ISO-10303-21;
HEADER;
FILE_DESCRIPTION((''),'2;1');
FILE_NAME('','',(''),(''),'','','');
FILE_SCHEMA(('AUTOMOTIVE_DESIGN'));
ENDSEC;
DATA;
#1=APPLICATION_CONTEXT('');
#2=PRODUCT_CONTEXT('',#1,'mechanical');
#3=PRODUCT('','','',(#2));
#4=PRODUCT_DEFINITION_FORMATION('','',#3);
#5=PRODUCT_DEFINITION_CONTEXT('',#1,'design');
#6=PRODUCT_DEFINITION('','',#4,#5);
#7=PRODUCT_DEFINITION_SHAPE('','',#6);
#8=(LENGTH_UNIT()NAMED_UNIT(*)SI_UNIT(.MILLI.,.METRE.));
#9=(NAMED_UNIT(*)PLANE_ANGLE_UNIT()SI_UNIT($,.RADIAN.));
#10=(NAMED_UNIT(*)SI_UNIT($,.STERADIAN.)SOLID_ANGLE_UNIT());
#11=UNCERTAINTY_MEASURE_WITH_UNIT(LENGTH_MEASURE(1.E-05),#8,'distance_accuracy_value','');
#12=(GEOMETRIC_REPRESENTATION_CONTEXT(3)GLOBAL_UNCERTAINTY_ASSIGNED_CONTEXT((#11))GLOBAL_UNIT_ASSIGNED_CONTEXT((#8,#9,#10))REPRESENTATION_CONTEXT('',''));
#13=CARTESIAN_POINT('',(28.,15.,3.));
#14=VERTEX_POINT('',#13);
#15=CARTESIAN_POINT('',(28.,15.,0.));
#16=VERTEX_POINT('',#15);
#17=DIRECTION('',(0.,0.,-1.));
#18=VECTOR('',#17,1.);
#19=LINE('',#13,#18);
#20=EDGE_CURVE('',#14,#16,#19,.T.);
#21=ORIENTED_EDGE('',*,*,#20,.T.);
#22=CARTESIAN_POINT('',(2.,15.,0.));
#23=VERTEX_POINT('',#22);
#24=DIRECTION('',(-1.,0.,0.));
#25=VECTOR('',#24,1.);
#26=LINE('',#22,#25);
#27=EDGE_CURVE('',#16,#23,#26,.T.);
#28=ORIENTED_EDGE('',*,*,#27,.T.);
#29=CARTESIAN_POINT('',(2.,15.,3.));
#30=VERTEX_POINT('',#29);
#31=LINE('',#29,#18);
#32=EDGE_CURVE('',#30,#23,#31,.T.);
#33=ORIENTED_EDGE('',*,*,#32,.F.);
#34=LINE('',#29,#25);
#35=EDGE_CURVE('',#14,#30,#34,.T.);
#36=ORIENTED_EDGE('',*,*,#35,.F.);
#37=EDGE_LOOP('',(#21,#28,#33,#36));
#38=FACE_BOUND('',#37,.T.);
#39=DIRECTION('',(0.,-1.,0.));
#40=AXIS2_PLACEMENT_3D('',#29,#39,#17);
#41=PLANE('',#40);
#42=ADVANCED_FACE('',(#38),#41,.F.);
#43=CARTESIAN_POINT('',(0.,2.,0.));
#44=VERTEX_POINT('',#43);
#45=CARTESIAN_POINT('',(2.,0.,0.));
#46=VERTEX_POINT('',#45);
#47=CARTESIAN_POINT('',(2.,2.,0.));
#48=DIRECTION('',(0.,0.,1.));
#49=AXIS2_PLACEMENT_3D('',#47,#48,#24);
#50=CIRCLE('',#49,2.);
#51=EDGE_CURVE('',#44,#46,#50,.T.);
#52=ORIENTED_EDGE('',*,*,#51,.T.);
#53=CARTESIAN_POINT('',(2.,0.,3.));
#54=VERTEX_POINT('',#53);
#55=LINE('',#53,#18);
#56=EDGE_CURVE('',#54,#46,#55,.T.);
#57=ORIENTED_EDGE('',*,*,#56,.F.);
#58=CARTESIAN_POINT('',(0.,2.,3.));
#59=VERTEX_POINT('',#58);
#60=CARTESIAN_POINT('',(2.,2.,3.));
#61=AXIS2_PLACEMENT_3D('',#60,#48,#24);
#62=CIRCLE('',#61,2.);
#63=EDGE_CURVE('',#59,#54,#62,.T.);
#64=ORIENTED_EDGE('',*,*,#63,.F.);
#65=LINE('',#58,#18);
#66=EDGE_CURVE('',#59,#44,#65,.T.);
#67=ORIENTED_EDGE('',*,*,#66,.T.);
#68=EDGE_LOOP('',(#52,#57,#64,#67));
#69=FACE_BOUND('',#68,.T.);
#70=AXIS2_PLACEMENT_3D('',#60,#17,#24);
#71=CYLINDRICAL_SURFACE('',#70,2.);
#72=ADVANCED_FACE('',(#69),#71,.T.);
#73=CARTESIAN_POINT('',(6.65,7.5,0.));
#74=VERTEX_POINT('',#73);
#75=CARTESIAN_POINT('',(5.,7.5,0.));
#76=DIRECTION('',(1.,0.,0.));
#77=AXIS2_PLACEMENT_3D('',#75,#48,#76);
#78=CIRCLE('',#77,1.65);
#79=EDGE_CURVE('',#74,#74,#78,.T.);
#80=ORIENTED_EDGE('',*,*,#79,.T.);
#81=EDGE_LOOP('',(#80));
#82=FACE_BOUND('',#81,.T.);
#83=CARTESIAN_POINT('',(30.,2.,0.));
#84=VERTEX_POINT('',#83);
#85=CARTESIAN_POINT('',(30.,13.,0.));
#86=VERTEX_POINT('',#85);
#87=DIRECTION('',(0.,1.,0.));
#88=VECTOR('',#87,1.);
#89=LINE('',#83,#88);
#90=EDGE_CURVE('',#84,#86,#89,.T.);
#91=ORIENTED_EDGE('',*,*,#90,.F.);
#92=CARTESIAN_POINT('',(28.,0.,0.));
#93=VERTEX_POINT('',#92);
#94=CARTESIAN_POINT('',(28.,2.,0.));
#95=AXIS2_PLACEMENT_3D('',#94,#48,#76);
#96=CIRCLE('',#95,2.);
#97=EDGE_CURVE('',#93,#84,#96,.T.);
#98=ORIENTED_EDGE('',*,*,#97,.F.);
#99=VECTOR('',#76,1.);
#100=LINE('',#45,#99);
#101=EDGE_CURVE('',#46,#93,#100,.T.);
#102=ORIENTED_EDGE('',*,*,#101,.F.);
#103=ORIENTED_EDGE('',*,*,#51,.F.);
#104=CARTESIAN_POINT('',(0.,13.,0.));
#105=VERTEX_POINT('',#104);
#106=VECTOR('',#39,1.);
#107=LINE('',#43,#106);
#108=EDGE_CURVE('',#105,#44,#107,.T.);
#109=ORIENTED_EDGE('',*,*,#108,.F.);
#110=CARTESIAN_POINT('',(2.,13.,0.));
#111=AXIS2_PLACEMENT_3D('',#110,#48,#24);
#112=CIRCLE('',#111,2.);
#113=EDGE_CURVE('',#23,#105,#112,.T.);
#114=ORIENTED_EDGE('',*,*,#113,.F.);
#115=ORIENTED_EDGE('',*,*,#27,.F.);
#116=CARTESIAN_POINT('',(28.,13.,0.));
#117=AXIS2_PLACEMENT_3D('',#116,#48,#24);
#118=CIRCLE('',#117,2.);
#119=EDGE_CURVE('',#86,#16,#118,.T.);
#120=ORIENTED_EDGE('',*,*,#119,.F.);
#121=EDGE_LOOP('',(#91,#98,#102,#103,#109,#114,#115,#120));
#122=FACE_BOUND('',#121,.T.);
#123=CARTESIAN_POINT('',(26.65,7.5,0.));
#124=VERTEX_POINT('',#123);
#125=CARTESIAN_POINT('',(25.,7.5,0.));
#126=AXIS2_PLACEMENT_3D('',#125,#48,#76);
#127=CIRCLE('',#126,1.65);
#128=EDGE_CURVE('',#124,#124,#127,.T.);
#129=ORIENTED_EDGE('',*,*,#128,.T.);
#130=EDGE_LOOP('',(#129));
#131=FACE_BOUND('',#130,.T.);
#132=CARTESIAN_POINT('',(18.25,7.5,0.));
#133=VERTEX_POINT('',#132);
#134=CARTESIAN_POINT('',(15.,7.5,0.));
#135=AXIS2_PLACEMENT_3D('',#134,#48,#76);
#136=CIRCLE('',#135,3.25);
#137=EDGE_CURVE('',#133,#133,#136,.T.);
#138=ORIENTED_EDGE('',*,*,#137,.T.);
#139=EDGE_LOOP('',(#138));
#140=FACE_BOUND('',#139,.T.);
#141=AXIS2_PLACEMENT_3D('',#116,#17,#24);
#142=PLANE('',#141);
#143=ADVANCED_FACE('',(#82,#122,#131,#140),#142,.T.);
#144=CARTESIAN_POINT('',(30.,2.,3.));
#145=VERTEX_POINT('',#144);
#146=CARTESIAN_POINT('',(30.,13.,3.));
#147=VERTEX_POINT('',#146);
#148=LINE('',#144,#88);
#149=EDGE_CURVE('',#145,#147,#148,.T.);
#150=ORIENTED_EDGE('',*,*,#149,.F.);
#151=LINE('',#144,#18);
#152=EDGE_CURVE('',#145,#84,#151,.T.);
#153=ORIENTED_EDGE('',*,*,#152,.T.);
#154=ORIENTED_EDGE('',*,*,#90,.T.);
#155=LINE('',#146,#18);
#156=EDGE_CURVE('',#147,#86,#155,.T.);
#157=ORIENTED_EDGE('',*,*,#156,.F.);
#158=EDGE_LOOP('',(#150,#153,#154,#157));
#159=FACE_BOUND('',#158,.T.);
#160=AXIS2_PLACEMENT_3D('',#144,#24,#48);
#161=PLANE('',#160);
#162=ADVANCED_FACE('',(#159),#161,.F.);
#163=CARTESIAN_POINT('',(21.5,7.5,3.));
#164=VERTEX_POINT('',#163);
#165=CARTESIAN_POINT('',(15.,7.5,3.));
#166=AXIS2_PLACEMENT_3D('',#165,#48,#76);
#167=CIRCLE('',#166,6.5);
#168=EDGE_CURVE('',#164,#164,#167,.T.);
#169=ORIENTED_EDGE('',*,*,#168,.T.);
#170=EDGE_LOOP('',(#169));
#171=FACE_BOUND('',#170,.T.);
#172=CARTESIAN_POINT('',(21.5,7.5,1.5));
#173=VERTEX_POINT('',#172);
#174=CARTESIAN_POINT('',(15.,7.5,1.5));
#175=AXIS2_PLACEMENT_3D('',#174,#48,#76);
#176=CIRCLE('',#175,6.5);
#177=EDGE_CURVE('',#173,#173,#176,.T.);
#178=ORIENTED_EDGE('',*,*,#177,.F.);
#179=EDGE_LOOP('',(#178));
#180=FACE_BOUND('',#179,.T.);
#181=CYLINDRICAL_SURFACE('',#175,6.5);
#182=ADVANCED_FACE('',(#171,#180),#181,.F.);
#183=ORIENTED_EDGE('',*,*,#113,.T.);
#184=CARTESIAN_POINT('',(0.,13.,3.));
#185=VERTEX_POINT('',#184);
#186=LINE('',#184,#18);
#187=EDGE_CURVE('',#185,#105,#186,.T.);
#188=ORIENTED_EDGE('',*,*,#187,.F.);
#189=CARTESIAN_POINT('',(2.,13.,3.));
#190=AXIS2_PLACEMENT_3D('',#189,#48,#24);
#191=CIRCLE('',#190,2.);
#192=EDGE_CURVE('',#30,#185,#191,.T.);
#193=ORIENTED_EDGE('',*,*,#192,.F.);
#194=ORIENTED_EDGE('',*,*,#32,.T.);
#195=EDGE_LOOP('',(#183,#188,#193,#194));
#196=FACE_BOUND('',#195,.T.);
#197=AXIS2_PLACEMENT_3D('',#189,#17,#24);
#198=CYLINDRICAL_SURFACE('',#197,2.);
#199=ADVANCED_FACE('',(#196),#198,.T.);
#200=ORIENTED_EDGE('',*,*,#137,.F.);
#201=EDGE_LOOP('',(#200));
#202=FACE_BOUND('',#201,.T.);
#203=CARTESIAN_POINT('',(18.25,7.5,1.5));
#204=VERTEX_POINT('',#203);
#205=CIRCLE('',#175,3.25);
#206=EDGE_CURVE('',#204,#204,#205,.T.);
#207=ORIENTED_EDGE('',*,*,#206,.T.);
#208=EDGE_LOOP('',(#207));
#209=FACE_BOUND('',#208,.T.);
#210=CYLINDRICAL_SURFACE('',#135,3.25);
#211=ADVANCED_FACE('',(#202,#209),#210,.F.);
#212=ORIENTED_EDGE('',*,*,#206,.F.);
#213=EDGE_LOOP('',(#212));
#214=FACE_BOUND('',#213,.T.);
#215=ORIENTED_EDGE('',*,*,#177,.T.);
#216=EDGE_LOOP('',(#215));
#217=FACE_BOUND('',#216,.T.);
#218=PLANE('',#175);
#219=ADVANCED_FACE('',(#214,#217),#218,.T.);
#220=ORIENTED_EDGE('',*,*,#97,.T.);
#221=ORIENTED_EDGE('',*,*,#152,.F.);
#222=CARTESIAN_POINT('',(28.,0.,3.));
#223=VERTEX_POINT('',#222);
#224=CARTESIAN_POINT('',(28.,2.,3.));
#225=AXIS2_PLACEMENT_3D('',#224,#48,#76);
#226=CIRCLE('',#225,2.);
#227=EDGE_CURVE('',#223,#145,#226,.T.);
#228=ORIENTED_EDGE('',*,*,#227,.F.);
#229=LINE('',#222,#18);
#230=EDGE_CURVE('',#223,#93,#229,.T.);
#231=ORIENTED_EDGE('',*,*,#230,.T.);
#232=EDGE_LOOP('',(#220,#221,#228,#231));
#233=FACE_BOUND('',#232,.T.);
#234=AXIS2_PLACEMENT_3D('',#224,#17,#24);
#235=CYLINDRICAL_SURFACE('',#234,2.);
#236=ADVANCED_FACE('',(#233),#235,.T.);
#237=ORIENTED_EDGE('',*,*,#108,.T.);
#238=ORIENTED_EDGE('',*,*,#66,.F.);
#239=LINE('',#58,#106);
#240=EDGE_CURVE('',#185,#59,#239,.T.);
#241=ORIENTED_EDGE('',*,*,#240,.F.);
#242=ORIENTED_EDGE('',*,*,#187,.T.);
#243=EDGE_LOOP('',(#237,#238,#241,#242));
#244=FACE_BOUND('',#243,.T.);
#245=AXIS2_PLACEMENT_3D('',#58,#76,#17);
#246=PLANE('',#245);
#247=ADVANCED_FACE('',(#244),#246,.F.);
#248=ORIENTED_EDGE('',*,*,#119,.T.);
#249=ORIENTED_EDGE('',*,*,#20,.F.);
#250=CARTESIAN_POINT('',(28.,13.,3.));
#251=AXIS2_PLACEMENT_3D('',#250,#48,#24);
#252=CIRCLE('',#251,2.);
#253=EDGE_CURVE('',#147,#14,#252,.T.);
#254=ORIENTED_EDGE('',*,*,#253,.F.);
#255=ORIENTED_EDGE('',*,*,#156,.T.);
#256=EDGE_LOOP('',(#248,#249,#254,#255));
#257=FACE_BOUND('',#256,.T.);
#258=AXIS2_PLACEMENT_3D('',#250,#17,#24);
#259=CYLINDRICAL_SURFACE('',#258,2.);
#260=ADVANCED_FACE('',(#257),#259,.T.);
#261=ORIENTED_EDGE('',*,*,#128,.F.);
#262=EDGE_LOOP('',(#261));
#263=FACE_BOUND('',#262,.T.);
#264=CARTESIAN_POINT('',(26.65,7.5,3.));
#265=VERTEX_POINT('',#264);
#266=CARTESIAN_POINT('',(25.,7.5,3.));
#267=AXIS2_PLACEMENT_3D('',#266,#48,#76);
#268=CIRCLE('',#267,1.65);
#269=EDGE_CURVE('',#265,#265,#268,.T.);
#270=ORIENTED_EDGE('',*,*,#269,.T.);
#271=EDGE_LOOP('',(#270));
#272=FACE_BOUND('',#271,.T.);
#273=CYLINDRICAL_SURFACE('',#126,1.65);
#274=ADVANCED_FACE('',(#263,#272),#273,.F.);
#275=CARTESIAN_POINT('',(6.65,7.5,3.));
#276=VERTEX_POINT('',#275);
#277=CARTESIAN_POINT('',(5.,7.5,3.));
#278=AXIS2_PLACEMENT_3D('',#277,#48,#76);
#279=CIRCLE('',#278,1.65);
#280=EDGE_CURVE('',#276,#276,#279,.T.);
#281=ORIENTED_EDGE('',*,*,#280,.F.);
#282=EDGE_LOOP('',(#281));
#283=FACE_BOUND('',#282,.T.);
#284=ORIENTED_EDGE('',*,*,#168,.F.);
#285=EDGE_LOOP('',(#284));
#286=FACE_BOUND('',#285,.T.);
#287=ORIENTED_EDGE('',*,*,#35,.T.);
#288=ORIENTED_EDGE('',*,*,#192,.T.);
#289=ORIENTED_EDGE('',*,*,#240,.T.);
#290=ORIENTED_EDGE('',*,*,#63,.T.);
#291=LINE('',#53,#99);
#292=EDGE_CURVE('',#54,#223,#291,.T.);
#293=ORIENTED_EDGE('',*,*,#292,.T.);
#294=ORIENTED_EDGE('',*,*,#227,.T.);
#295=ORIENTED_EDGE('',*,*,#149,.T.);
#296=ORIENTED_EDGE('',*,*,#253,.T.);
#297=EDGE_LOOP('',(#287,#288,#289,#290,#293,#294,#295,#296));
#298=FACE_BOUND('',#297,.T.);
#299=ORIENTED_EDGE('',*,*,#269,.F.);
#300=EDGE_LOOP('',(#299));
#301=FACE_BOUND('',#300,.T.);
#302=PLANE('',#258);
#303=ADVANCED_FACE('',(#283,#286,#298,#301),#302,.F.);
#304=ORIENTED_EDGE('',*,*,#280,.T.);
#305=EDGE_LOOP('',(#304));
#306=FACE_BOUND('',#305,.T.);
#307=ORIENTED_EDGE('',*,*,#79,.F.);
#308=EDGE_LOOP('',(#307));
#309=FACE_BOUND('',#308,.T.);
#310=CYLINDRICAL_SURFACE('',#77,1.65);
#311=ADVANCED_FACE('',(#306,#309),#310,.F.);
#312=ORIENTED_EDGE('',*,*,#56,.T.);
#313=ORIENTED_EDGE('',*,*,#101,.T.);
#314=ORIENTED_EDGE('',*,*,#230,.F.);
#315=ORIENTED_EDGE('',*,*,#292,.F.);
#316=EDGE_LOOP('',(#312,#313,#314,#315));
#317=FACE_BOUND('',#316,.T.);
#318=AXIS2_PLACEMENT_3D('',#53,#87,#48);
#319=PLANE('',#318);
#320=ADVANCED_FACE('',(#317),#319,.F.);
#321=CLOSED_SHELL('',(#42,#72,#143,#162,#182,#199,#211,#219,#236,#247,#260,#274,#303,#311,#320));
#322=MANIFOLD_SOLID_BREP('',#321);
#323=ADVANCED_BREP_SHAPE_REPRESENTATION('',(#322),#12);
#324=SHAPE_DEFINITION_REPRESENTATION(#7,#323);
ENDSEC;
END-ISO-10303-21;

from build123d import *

# Parameters (mm, degrees)
EXTRUDE_1_DEPTH     = 3
SKETCH_2_R          = 6.5
CUT_EXTRUDE_1_DEPTH = 1.5
SKETCH_3_R          = 3.25
CUT_EXTRUDE_2_DEPTH = 34.674916481
SKETCH_4_R          = 1.65
CUT_EXTRUDE_3_DEPTH = 34.674916481


with BuildPart() as part:
    # Эскиз1 → Бобышка-Вытянуть1 (new body)
    with BuildSketch(Plane.XY):
        with BuildLine():
            Line((2, 0), (28, 0))
            ThreePointArc((28, 0), (29.414213562, 0.585786438), (30, 2))
            Line((30, 2), (30, 13))
            ThreePointArc((30, 13), (29.414213562, 14.414213562), (28, 15))
            Line((28, 15), (2, 15))
            ThreePointArc((2, 15), (0.585786438, 14.414213562), (0, 13))
            Line((0, 13), (0, 2))
            ThreePointArc((0, 2), (0.585786438, 0.585786438), (2, 0))
        make_face()
    extrude(amount=EXTRUDE_1_DEPTH)

    # Эскиз2 → Вырез-Вытянуть1 (cut)
    with BuildSketch(Plane.XY.offset(3)):
        with Locations((15, 7.5)):
            Circle(SKETCH_2_R)
    extrude(amount=-CUT_EXTRUDE_1_DEPTH, mode=Mode.SUBTRACT)

    # Эскиз3 → Вырез-Вытянуть2 (cut, through all)
    with BuildSketch(Plane.XY.offset(3)):
        with Locations((15, 7.5)):
            Circle(SKETCH_3_R)
    extrude(amount=-CUT_EXTRUDE_2_DEPTH, mode=Mode.SUBTRACT)

    # Эскиз4 → Вырез-Вытянуть3 (cut, through all)
    with BuildSketch(Plane.XY.offset(3)):
        with Locations((5, 7.5)):
            Circle(SKETCH_4_R)
        with Locations((25, 7.5)):
            Circle(SKETCH_4_R)
    extrude(amount=-CUT_EXTRUDE_3_DEPTH, mode=Mode.SUBTRACT)


solid = part.part
